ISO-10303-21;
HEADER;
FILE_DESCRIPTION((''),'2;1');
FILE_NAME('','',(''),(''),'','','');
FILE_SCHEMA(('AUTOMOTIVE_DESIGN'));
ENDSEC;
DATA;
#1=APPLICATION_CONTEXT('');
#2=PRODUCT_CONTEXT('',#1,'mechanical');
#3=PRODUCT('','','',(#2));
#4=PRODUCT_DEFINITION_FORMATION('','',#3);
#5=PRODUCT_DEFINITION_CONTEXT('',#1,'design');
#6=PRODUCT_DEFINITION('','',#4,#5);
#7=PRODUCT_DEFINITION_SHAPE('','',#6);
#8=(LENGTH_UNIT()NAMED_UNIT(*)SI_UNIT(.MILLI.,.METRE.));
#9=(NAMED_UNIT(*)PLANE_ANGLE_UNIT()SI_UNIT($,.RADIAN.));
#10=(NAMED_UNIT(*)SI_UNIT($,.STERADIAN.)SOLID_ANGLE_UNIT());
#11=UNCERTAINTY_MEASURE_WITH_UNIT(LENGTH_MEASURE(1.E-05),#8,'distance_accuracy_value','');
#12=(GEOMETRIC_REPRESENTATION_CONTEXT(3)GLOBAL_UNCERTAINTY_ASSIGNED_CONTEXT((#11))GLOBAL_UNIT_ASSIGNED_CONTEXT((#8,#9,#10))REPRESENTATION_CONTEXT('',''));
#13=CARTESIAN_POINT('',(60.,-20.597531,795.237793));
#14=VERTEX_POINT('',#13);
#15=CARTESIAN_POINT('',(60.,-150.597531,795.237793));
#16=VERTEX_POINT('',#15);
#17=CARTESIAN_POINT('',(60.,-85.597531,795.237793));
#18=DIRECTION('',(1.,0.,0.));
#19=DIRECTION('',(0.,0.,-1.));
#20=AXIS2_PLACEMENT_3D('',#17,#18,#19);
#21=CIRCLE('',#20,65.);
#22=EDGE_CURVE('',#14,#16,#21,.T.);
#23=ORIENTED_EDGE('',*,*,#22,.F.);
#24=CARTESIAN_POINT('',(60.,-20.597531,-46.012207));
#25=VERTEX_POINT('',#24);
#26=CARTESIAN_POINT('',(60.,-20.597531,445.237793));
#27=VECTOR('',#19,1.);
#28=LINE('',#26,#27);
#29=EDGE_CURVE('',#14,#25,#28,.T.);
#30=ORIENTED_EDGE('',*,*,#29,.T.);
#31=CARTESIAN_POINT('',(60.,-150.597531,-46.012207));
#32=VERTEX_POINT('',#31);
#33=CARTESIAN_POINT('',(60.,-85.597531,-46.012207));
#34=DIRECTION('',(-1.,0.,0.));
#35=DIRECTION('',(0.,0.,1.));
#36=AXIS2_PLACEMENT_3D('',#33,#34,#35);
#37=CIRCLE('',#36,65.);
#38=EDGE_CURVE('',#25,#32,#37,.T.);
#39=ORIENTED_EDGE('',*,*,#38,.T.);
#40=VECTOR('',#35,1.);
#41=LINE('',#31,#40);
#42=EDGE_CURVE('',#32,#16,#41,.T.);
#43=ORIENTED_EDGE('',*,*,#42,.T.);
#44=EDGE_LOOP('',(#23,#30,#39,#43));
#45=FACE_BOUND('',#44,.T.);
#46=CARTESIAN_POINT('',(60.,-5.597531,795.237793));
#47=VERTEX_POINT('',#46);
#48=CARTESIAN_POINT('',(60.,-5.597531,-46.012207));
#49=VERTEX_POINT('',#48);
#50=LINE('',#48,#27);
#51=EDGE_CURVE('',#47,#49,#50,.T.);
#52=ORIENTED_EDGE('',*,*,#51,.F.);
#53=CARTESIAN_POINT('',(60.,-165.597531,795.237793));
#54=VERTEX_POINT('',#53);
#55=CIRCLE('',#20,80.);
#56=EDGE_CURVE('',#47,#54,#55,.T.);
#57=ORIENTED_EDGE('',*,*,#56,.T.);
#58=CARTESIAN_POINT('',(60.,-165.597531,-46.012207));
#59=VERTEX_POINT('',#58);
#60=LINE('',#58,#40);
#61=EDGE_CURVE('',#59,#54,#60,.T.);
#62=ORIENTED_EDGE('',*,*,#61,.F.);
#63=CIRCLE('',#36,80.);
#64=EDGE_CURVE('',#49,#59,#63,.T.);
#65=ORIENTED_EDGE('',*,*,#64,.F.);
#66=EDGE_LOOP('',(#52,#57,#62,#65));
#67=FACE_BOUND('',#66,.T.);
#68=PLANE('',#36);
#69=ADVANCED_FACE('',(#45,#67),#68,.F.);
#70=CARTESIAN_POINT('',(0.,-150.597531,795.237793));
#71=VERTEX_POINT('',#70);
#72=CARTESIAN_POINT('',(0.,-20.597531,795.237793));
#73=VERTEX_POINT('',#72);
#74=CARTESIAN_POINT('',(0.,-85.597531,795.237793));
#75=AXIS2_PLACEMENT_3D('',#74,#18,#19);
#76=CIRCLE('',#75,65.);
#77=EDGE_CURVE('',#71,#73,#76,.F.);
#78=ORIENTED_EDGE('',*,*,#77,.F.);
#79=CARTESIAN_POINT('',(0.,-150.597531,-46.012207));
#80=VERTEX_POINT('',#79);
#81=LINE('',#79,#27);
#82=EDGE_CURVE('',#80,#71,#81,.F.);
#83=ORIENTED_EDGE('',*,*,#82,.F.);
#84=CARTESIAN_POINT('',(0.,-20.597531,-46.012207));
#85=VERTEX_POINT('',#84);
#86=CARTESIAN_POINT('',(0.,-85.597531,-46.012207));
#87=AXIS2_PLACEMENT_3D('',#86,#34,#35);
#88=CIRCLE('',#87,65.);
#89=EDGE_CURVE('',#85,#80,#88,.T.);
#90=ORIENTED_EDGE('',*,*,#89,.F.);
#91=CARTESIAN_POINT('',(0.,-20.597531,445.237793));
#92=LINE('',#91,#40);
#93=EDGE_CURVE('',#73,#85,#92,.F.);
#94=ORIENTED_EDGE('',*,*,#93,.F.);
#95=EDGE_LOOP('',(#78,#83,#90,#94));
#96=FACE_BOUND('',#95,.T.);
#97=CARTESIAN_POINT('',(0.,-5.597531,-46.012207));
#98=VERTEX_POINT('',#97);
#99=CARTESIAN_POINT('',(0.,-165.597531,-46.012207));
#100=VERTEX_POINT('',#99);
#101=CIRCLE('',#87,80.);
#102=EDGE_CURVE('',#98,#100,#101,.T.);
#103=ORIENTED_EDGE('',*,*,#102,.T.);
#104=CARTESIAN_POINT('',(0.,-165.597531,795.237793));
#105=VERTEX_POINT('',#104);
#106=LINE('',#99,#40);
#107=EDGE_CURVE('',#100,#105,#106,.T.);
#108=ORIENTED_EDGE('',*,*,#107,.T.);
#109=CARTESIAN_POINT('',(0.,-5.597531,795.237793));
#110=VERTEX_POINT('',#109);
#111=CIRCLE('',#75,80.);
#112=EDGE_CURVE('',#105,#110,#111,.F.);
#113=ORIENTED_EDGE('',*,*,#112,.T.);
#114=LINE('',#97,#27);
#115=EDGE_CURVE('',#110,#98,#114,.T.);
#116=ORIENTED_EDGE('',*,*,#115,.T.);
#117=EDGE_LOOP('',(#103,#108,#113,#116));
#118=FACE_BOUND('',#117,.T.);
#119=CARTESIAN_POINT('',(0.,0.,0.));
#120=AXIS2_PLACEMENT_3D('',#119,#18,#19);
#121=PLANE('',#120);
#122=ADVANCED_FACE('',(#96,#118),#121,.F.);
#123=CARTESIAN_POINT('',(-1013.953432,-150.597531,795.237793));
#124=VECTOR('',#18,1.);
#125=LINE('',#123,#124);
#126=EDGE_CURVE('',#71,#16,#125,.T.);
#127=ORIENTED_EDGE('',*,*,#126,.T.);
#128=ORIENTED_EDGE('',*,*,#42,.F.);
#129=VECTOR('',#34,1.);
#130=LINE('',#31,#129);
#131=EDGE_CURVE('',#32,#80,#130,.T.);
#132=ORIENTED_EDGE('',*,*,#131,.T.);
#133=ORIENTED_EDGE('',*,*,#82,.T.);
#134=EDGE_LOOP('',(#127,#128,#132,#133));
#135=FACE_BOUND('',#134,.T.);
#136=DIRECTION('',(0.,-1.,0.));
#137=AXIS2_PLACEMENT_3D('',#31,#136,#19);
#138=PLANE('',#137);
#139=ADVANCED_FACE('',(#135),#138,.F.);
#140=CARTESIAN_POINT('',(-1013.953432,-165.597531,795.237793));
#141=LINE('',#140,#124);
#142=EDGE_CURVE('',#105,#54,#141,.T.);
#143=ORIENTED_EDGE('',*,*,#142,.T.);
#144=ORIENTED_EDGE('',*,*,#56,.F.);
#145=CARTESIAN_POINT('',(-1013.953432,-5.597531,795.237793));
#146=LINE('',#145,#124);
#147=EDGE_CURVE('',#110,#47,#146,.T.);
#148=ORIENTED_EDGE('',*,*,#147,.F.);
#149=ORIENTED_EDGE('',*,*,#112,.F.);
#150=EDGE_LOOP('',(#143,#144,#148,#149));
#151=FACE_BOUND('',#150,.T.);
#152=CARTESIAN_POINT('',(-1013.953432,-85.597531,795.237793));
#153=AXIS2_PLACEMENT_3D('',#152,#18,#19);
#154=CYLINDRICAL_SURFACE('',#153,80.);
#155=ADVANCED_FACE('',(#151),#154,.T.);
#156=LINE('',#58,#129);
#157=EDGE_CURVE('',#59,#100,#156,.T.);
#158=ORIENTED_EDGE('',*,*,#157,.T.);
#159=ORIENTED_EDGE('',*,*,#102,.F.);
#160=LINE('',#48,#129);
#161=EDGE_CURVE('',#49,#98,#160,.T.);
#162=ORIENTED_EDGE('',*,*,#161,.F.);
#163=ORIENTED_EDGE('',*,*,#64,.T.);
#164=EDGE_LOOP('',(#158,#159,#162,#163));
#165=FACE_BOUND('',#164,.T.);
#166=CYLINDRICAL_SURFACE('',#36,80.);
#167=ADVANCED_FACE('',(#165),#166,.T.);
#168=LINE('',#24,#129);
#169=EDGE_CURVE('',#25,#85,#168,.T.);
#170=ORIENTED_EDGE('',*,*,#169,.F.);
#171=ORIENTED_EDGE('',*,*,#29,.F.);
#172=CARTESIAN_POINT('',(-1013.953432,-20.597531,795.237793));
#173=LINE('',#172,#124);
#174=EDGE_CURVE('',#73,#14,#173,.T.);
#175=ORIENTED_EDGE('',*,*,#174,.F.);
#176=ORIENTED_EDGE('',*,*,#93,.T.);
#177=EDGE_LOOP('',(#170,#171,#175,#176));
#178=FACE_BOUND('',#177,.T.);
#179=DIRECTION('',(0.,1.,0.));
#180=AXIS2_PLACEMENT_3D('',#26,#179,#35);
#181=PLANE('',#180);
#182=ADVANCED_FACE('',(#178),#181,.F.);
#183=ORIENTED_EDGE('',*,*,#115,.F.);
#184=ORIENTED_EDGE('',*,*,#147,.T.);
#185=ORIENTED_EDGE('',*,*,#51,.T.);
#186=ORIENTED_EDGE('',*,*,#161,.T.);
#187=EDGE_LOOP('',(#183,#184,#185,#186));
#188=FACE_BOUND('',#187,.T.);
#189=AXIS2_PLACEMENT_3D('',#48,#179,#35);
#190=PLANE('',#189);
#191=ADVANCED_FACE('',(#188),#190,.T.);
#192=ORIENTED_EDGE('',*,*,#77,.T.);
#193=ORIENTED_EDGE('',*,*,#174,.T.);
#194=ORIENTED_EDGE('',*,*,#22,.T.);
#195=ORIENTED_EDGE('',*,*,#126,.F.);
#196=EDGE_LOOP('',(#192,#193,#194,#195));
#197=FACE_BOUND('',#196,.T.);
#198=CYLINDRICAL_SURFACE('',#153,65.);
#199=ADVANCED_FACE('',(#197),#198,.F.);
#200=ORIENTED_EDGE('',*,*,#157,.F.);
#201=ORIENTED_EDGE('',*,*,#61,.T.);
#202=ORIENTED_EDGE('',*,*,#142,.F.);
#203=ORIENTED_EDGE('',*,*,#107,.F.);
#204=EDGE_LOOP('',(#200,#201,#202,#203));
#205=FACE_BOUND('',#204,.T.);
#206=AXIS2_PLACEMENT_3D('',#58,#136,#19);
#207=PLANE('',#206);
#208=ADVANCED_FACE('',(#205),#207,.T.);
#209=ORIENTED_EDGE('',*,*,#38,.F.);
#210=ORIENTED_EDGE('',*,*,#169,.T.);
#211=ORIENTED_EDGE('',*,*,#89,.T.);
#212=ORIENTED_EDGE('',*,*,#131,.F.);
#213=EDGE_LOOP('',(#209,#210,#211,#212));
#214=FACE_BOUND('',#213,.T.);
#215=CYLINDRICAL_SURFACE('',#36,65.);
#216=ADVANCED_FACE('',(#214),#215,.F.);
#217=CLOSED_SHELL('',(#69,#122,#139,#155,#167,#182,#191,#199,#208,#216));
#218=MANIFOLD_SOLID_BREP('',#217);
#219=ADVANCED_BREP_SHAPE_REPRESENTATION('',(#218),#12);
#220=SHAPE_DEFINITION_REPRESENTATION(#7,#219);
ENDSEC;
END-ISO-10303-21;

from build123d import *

# Parameters (mm, degrees)
SKETCH_1_R               = 18.541316536
EXTRUDE_1_DEPTH          = 10
SKETCH_2_R               = 65
EXTRUDE_2_DEPTH          = 60
CUT_EXTRUDE_1_DEPTH      = 554.983106248
CUT_EXTRUDE_1_DEPTH_BACK = 554.983106248
CUT_EXTRUDE_2_DEPTH      = 554.983106248
CUT_EXTRUDE_2_DEPTH_BACK = 554.983106248
SKETCH_4_W               = 491.25
SKETCH_4_H               = 130
EXTRUDE_START            = -60
EXTRUDE_3_DEPTH          = 60
CUT_EXTRUDE_3_DEPTH      = 229


with BuildPart() as part:
    # 草图1 → 凸台-拉伸1 (new body)
    with BuildSketch(Plane(origin=(0, 0, 0), x_dir=(0, 0, -1), z_dir=(1, 0, 0))):
        Circle(SKETCH_1_R)
    extrude(amount=EXTRUDE_1_DEPTH)

    # 草图2 → 凸台-拉伸2 (add)
    with BuildSketch(Plane.ZY):
        with BuildLine():
            Line((-46.012206562, -5.59753124), (445.237793438, -5.59753124))
            ThreePointArc((445.237793438, -5.59753124), (525.237793438, -85.59753124), (445.237793438, -165.59753124))
            Line((445.237793438, -165.59753124), (-46.012206562, -165.59753124))
            ThreePointArc((-46.012206562, -165.59753124), (-126.012206562, -85.59753124), (-46.012206562, -5.59753124))
        make_face()
        with Locations((-46.012206562, -85.59753124)):
            Circle(SKETCH_2_R, mode=Mode.SUBTRACT)
        with Locations((445.237793438, -85.59753124)):
            Circle(SKETCH_2_R, mode=Mode.SUBTRACT)
    extrude(amount=-EXTRUDE_2_DEPTH)

    # 草图3 → 切除-拉伸1 (cut, two sides: drawn at the far end of the back side and taken through both)
    with BuildSketch(Plane.ZY.offset(-CUT_EXTRUDE_1_DEPTH_BACK)):
        Polygon((-32.271946136, -5.59753124), (45.25223132, -5.59753124), (36.799677621, 39.571185564), (-16.420104924, 39.571185564), align=None)
    extrude(amount=CUT_EXTRUDE_1_DEPTH + CUT_EXTRUDE_1_DEPTH_BACK, mode=Mode.SUBTRACT)

    # 草图4 → 切除-拉伸2 (cut, two sides: drawn at the far end of the back side and taken through both)
    with BuildSketch(Plane.ZY.offset(-CUT_EXTRUDE_2_DEPTH_BACK)):
        with Locations((199.612793438, -85.59753124)):
            Rectangle(SKETCH_4_W, SKETCH_4_H)
    extrude(amount=CUT_EXTRUDE_2_DEPTH + CUT_EXTRUDE_2_DEPTH_BACK, mode=Mode.SUBTRACT)

    # 草图6 → 凸台-拉伸3 (add)
    with BuildSketch(Plane(origin=(60, 0, 0), x_dir=(0, 0, -1), z_dir=(1, 0, 0)).offset(EXTRUDE_START)):
        with BuildLine():
            Line((-795.237793438, -5.59753124), (46.012206562, -5.59753124))
            ThreePointArc((46.012206562, -5.59753124), (126.012206562, -85.59753124), (46.012206562, -165.59753124))
            Line((46.012206562, -165.59753124), (-795.237793438, -165.59753124))
            ThreePointArc((-795.237793438, -165.59753124), (-875.237793438, -85.59753124), (-795.237793438, -5.59753124))
        make_face()
        with BuildLine():
            Line((-795.237793438, -20.59753124), (46.012206562, -20.59753124))
            ThreePointArc((46.012206562, -20.59753124), (111.012206562, -85.59753124), (46.012206562, -150.59753124))
            Line((46.012206562, -150.59753124), (-795.237793438, -150.59753124))
            ThreePointArc((-795.237793438, -150.59753124), (-860.237793438, -85.59753124), (-795.237793438, -20.59753124))
        make_face(mode=Mode.SUBTRACT)
    extrude(amount=EXTRUDE_3_DEPTH)

    # 草图7 → 切除-拉伸3 (cut)
    with BuildSketch(Plane(origin=(60, 0, 0), x_dir=(0, 0, -1), z_dir=(1, 0, 0))):
        Polygon((-547.566166751, -20.59753124), (-408.942471001, -20.59753124), (-408.942471001, -150.59753124), (-543.921935574, -150.59753124), align=None)
    extrude(amount=-CUT_EXTRUDE_3_DEPTH, mode=Mode.SUBTRACT)


solid = part.part
